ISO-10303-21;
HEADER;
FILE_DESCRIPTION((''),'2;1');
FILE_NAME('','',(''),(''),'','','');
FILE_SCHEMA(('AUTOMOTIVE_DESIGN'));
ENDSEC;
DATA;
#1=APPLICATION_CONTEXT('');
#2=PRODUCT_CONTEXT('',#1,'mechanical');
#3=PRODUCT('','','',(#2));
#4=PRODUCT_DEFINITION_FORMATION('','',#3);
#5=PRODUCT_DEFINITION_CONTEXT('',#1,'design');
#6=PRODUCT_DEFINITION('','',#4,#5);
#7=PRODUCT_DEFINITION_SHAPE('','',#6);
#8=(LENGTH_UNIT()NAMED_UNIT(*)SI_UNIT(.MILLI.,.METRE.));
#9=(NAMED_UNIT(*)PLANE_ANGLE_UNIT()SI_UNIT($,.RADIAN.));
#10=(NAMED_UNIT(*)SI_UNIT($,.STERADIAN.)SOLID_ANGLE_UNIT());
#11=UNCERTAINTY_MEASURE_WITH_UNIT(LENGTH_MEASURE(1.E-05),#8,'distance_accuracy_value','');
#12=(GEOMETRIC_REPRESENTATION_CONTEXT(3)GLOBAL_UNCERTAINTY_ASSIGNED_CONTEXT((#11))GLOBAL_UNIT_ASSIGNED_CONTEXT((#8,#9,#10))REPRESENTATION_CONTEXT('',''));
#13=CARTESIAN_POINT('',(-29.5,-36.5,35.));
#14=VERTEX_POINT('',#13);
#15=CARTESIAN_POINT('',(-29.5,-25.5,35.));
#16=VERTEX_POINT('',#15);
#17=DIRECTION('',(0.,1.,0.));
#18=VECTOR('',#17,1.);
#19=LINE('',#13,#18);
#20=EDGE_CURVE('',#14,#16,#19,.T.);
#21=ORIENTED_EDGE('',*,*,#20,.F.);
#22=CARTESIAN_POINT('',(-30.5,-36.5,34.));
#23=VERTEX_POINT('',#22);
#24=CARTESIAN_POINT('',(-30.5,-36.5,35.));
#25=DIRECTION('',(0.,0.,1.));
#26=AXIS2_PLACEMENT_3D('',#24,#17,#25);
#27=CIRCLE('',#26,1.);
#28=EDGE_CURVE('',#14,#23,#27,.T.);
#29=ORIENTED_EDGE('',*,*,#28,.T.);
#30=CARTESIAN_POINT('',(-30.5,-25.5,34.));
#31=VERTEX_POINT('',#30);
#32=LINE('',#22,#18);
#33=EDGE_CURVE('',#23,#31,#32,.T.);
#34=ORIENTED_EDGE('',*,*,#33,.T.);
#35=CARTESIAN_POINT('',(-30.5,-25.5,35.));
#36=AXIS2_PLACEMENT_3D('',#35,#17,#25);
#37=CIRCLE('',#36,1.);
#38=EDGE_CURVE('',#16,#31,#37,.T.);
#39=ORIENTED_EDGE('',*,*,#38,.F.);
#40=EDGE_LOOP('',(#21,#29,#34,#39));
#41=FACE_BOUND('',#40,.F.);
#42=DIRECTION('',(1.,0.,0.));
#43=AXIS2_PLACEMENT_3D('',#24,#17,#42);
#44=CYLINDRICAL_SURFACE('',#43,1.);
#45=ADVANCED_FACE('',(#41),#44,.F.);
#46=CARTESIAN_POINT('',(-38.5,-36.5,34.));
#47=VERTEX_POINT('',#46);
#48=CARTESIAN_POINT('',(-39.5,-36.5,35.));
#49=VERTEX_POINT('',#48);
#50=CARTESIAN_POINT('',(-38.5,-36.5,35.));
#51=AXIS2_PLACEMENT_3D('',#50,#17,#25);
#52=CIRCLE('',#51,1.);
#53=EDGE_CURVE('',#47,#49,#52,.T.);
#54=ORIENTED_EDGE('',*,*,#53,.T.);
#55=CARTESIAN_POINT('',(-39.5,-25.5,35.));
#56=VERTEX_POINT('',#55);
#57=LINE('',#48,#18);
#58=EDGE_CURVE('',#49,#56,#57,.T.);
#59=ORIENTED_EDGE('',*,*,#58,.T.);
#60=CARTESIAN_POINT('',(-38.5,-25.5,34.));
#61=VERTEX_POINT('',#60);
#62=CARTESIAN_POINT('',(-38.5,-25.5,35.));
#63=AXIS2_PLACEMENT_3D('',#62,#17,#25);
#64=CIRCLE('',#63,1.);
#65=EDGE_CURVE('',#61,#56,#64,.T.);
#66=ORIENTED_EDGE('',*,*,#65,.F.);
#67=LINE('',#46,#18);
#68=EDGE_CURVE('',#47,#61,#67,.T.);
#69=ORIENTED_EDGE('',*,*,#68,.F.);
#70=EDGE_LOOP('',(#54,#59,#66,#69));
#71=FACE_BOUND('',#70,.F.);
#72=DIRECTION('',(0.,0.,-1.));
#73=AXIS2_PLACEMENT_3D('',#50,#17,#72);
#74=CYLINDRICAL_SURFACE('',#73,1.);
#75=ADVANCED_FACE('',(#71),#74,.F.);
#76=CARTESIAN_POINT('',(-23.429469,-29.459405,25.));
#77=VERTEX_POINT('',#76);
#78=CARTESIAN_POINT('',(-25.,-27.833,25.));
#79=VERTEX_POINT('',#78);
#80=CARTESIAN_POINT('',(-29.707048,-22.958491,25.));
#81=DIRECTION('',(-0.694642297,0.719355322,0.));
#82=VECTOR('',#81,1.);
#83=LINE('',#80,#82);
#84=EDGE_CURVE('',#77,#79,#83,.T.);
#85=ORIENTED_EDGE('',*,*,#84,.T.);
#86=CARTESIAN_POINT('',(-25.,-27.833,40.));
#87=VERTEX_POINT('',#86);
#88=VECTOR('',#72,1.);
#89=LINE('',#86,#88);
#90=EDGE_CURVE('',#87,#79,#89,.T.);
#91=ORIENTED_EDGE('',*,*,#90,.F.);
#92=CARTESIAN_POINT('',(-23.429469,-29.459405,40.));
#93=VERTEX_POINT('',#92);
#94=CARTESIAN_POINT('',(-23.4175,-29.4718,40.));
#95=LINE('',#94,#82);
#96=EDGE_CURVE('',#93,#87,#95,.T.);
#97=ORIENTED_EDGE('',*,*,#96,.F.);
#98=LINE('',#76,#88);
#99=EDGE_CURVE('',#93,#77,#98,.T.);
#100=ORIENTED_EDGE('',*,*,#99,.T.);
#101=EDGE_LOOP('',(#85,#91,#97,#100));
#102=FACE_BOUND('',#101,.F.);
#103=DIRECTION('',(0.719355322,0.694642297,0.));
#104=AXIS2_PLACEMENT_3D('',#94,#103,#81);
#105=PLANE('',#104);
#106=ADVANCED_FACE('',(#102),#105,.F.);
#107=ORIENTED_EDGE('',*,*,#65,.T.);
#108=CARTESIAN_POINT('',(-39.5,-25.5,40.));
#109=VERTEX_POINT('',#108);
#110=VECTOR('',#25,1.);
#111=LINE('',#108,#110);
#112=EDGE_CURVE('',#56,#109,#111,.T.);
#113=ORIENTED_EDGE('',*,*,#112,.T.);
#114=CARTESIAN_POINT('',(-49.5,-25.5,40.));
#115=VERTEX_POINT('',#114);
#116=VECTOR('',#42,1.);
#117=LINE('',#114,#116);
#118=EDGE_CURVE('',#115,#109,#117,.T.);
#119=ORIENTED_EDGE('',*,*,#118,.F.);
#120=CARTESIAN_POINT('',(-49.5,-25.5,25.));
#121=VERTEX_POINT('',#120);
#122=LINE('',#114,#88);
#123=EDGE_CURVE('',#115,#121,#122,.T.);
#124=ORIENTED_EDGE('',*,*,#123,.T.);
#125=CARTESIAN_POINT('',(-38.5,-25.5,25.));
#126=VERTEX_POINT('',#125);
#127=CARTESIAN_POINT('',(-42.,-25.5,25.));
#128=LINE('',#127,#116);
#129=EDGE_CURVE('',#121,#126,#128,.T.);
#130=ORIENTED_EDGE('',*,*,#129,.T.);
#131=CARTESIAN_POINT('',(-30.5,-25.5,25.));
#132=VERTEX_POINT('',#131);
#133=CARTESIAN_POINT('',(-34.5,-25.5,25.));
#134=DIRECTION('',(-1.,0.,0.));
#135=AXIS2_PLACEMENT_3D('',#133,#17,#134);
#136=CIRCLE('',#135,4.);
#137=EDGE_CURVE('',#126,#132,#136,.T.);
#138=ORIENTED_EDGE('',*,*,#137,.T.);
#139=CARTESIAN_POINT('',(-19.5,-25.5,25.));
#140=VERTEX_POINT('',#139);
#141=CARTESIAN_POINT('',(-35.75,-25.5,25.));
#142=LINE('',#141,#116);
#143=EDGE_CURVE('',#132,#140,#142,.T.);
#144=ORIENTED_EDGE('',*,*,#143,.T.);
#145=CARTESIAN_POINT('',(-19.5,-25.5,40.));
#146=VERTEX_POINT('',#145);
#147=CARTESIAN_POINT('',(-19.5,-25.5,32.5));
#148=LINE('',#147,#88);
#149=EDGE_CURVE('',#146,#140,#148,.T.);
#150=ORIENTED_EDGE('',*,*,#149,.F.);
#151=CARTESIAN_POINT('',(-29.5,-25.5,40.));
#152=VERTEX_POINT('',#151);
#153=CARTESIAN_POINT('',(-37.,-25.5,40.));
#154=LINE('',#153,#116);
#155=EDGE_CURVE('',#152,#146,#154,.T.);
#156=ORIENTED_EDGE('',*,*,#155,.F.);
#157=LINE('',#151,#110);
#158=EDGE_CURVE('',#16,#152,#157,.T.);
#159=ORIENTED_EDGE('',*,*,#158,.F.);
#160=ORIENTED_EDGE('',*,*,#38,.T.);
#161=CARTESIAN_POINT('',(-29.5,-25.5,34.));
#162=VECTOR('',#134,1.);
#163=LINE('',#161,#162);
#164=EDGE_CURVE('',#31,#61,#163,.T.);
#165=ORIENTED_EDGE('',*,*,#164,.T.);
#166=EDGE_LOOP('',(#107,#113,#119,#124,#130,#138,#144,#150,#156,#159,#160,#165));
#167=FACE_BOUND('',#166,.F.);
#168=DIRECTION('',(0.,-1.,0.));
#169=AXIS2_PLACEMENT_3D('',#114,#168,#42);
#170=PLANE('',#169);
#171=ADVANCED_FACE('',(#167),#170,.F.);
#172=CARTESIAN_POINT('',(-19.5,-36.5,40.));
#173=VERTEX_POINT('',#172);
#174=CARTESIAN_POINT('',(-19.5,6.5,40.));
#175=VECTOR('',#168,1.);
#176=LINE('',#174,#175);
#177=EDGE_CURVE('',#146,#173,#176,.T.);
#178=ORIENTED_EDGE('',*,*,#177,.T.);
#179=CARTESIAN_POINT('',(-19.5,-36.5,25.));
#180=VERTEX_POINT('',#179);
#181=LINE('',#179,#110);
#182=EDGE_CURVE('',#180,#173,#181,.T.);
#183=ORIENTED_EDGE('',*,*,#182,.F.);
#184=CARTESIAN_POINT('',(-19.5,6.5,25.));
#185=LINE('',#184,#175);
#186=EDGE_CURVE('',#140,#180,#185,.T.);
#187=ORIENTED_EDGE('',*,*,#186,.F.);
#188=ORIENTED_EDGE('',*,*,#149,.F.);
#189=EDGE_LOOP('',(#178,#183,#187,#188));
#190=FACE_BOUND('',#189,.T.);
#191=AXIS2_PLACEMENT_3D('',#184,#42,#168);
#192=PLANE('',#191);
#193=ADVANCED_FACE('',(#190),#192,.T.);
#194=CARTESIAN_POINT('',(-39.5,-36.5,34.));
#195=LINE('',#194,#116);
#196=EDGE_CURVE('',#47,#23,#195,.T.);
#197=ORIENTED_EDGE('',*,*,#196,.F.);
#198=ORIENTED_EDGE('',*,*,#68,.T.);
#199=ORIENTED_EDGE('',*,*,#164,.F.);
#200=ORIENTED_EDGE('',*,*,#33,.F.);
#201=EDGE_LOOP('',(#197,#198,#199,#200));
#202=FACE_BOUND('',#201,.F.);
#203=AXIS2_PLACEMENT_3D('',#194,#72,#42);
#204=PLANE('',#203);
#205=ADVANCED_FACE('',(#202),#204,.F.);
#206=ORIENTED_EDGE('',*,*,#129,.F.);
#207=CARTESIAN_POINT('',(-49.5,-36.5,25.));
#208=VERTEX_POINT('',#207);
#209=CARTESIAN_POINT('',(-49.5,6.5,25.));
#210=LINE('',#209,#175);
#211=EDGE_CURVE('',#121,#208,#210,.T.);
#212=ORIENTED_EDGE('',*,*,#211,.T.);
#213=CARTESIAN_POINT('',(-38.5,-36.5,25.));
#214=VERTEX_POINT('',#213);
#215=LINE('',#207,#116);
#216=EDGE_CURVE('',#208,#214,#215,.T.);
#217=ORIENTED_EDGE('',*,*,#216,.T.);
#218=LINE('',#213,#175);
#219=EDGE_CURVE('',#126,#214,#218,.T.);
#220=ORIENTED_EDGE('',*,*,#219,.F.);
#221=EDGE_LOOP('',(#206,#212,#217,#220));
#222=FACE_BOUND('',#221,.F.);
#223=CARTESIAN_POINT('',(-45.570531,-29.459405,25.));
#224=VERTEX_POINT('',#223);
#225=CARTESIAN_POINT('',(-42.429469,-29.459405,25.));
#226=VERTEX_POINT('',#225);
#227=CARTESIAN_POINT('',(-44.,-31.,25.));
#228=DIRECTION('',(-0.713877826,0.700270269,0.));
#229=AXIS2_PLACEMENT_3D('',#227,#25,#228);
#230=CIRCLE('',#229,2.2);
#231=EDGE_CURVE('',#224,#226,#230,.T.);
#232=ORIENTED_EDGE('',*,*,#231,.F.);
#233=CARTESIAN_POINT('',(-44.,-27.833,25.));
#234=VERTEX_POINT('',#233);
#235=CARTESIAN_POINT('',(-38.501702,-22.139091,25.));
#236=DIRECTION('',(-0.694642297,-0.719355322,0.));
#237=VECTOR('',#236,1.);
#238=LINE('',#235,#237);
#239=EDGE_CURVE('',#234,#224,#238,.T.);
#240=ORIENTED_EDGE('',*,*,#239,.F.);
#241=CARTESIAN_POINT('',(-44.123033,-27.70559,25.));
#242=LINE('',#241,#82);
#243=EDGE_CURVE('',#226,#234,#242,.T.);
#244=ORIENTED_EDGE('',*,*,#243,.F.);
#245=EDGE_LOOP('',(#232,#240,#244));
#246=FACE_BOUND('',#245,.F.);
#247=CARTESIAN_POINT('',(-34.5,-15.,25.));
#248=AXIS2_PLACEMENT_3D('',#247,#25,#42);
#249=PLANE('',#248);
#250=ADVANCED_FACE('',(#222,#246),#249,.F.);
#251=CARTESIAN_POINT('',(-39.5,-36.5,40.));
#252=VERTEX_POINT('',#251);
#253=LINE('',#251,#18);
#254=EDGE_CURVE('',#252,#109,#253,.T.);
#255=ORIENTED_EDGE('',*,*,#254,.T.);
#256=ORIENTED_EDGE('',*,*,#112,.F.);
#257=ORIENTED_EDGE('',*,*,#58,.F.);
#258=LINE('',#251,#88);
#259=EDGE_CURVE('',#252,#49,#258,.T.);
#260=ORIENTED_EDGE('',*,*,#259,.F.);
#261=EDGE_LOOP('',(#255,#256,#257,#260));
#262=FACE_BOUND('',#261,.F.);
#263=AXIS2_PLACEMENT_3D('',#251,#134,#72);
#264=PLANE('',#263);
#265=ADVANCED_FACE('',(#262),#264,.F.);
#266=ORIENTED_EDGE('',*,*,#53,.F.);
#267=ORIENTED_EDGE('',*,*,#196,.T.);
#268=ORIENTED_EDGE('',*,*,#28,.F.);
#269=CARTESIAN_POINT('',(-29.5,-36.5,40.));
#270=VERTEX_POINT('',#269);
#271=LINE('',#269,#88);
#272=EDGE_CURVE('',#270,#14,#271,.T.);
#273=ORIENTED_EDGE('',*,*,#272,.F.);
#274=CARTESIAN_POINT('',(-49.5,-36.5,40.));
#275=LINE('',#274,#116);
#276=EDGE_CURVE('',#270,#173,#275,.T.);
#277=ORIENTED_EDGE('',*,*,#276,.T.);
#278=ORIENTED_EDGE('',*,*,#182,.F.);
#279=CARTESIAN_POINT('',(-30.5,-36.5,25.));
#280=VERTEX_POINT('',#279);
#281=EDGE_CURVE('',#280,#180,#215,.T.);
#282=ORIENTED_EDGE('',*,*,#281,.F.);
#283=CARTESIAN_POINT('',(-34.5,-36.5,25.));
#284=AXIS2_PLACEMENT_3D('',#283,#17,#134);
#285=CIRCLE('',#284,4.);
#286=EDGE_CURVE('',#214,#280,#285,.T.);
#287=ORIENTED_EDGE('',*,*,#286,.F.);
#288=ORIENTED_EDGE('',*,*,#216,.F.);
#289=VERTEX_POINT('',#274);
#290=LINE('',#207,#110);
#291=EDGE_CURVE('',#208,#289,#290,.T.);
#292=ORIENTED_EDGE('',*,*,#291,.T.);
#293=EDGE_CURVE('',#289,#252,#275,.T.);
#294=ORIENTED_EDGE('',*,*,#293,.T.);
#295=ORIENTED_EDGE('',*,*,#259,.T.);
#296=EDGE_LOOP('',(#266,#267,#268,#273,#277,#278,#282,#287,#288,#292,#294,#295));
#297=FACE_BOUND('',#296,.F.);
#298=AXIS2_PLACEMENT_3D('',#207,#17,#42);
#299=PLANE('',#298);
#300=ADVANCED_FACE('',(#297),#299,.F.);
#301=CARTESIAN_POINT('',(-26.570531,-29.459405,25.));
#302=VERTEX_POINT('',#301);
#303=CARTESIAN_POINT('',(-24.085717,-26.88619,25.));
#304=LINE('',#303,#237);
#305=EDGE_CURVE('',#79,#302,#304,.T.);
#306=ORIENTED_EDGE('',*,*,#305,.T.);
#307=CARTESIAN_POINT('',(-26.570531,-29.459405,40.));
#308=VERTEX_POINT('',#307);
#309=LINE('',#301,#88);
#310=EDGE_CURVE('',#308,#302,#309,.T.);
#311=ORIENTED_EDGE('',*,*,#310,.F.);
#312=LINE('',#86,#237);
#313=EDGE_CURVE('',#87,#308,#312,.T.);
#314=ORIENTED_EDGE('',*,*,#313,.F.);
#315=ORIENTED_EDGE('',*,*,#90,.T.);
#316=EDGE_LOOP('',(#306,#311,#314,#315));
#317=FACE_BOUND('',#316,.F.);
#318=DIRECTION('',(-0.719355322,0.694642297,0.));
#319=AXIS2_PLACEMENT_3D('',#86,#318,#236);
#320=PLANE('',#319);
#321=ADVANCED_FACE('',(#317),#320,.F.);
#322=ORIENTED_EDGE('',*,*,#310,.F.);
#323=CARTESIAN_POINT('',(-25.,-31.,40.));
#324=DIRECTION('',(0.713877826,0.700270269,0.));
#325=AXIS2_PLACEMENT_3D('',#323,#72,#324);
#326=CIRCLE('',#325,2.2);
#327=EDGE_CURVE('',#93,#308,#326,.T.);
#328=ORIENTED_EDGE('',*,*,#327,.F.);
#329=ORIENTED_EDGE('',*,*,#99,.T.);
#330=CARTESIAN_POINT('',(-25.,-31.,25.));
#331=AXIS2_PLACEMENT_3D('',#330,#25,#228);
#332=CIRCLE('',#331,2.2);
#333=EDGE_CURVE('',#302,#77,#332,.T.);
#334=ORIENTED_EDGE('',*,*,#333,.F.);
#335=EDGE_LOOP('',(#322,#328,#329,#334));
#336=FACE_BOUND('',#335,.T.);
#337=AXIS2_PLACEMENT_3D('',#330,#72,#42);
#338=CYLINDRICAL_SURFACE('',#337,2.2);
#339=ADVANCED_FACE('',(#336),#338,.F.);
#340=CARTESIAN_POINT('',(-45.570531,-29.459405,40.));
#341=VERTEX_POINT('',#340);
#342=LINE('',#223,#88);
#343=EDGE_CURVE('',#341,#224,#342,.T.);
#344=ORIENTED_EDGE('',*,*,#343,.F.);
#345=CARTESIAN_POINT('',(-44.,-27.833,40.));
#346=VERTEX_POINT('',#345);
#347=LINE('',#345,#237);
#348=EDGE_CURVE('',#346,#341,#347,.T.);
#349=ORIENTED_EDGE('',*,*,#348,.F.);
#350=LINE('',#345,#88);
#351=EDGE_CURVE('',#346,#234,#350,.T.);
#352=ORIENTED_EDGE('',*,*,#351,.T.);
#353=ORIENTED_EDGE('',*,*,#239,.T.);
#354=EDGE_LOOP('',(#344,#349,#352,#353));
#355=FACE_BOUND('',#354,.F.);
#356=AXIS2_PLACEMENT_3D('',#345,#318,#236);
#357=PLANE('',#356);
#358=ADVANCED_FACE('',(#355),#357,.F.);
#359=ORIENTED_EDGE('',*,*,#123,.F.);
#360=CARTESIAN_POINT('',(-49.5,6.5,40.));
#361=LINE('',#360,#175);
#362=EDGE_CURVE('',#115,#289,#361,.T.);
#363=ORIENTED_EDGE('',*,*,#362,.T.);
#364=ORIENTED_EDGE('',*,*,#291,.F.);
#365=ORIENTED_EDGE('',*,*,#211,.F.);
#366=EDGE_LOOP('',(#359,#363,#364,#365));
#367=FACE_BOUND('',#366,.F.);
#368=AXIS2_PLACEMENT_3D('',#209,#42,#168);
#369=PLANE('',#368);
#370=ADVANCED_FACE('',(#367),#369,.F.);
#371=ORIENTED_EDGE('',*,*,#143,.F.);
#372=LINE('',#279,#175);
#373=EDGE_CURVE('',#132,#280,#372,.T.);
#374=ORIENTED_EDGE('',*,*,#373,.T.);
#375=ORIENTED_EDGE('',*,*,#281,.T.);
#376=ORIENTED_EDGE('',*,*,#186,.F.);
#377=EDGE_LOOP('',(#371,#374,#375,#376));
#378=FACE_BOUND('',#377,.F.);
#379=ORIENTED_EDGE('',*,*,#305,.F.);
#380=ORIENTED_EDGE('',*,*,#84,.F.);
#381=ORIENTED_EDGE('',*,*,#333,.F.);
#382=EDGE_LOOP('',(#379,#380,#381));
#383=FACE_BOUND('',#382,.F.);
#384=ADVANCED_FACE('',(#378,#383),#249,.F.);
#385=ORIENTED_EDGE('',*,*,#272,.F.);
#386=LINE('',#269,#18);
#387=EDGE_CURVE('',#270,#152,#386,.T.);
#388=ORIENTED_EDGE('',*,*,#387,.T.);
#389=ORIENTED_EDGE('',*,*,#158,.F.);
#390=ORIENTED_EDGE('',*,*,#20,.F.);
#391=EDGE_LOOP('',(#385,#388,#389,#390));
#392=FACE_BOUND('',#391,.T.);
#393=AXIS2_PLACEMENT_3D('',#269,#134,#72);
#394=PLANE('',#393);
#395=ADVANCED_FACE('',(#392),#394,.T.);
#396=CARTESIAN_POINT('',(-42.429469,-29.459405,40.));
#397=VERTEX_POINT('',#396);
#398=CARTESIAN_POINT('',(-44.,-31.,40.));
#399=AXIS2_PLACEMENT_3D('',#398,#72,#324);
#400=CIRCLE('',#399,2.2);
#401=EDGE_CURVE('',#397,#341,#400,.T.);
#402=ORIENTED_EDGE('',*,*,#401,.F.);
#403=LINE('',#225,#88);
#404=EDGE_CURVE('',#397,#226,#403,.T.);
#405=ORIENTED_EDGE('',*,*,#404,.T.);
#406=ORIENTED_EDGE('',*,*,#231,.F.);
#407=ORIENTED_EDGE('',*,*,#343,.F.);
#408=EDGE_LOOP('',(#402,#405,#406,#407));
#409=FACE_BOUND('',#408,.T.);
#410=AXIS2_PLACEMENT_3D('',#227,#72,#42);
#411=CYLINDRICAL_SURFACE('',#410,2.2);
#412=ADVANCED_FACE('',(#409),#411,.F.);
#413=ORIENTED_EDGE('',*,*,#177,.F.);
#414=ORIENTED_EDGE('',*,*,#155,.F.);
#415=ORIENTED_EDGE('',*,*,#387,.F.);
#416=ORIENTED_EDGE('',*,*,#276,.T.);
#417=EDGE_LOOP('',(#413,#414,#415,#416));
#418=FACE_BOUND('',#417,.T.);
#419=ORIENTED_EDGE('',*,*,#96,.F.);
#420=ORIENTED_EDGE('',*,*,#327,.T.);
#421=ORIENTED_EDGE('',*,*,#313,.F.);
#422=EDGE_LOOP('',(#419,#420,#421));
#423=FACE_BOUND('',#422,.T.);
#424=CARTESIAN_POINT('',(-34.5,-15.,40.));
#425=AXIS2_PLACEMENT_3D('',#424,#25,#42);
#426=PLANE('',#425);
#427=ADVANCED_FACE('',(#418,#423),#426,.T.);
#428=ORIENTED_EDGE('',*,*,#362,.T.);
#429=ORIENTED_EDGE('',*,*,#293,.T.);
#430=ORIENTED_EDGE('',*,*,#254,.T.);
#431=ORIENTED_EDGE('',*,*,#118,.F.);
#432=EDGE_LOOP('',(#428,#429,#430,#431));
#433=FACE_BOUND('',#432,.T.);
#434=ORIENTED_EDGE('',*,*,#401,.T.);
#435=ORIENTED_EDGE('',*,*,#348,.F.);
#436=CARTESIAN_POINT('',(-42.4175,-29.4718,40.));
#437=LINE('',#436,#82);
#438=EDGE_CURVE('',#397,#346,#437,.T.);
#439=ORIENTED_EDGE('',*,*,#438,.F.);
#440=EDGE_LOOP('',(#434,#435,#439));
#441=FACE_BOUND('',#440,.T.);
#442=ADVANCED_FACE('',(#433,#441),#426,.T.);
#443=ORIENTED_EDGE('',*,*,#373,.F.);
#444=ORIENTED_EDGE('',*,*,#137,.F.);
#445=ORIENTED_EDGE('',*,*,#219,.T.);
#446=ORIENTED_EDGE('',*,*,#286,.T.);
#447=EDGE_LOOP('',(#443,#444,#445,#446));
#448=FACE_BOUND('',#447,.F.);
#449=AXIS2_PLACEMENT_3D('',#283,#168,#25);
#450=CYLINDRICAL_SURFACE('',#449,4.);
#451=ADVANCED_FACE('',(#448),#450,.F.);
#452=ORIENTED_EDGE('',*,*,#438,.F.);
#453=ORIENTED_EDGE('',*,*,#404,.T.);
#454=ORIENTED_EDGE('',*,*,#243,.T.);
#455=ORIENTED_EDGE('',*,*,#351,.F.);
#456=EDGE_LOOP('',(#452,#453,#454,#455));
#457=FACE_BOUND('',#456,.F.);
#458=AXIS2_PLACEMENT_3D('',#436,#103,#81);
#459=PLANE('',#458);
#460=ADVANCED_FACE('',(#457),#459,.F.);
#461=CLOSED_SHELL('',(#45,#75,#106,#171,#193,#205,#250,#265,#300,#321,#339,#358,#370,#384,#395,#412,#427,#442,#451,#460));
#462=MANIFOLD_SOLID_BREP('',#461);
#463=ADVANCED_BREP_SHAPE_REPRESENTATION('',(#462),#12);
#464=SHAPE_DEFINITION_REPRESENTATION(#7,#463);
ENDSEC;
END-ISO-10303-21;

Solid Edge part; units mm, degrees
sketch "Sketch1" plane through (0, 0, 25) normal (0, 0, 1) x (1, 0, 0)
  line L0 (-49.5, -36.5) -> (-19.5, -36.5)
  line L1 (-19.5, 6.5) -> (-19.5, -36.5)
  line L2 (-19.5, 6.5) -> (-49.5, 6.5)
  line L3 (-49.5, 6.5) -> (-49.5, -36.5)
  circle A0 centre (-25, -31) radius 2.2
  circle A1 centre (-44, 1) radius 2.2
  circle A2 centre (-25, 1) radius 2.2
  circle A3 centre (-44, -31) radius 2.2
extrude "ExtrudedProtrusion_1" add sketch "Sketch1" along normal blind 15
sketch "Sketch2" plane through (-34.5, -36.5, 32.5) normal (0, -1, 0) x (0, 0, 1)
  circle A0 centre (-7.5, 0) radius 4
extrude "Cutout1" cut sketch "Sketch2" against normal through all
sketch "Sketch3" plane through (-34.5, -36.5, 32.5) normal (0, -1, 0) x (1, 0, 0)
  line L0 (-5, 7.5) -> (-5, 1.5)
  line L1 (-5, 1.5) -> (5, 1.5)
  line L2 (5, 7.5) -> (5, 1.5)
  dimension "D1" = 5
  dimension "D2" = 10
extrude "Cutout2" cut sketch "Sketch3" against normal through all material side at (-39.45, -36.5, 37)
sketch "Sketch4" plane through (-24.5, -15, 40) normal (0, 0, 1) x (0, 1, 0)
  line L0 (-10.5, 25) -> (-10.5, 12.5)
extrude "Cutout3" cut sketch "Sketch4" against normal through all material side at (-43.25, -25.45, 40)
fillet "Round_1" radius 1 2 edges at (-39.5, -31, 34) (-29.5, -31, 34)
sketch "Sketch5" plane through (-44.5, -31, 40) normal (0, 0, 1) x (1, 0, 0)
  line L0 (0.5, 0) -> (2.0825, 1.5282)
  line L1 (2.0825, 1.5282) -> (0.5, 3.167)
  line L2 (0.5, 3.167) -> (-1.0825, 1.5282)
  line L3 (-1.0825, 1.5282) -> (0.5, 0)
  line L4 (19.5, 0) -> (21.0825, 1.5282)
  line L5 (21.0825, 1.5282) -> (19.5, 3.167)
  line L6 (19.5, 3.167) -> (17.9175, 1.5282)
  line L7 (17.9175, 1.5282) -> (19.5, 0)
extrude "Cutout4" cut sketch "Sketch5" against normal through all
